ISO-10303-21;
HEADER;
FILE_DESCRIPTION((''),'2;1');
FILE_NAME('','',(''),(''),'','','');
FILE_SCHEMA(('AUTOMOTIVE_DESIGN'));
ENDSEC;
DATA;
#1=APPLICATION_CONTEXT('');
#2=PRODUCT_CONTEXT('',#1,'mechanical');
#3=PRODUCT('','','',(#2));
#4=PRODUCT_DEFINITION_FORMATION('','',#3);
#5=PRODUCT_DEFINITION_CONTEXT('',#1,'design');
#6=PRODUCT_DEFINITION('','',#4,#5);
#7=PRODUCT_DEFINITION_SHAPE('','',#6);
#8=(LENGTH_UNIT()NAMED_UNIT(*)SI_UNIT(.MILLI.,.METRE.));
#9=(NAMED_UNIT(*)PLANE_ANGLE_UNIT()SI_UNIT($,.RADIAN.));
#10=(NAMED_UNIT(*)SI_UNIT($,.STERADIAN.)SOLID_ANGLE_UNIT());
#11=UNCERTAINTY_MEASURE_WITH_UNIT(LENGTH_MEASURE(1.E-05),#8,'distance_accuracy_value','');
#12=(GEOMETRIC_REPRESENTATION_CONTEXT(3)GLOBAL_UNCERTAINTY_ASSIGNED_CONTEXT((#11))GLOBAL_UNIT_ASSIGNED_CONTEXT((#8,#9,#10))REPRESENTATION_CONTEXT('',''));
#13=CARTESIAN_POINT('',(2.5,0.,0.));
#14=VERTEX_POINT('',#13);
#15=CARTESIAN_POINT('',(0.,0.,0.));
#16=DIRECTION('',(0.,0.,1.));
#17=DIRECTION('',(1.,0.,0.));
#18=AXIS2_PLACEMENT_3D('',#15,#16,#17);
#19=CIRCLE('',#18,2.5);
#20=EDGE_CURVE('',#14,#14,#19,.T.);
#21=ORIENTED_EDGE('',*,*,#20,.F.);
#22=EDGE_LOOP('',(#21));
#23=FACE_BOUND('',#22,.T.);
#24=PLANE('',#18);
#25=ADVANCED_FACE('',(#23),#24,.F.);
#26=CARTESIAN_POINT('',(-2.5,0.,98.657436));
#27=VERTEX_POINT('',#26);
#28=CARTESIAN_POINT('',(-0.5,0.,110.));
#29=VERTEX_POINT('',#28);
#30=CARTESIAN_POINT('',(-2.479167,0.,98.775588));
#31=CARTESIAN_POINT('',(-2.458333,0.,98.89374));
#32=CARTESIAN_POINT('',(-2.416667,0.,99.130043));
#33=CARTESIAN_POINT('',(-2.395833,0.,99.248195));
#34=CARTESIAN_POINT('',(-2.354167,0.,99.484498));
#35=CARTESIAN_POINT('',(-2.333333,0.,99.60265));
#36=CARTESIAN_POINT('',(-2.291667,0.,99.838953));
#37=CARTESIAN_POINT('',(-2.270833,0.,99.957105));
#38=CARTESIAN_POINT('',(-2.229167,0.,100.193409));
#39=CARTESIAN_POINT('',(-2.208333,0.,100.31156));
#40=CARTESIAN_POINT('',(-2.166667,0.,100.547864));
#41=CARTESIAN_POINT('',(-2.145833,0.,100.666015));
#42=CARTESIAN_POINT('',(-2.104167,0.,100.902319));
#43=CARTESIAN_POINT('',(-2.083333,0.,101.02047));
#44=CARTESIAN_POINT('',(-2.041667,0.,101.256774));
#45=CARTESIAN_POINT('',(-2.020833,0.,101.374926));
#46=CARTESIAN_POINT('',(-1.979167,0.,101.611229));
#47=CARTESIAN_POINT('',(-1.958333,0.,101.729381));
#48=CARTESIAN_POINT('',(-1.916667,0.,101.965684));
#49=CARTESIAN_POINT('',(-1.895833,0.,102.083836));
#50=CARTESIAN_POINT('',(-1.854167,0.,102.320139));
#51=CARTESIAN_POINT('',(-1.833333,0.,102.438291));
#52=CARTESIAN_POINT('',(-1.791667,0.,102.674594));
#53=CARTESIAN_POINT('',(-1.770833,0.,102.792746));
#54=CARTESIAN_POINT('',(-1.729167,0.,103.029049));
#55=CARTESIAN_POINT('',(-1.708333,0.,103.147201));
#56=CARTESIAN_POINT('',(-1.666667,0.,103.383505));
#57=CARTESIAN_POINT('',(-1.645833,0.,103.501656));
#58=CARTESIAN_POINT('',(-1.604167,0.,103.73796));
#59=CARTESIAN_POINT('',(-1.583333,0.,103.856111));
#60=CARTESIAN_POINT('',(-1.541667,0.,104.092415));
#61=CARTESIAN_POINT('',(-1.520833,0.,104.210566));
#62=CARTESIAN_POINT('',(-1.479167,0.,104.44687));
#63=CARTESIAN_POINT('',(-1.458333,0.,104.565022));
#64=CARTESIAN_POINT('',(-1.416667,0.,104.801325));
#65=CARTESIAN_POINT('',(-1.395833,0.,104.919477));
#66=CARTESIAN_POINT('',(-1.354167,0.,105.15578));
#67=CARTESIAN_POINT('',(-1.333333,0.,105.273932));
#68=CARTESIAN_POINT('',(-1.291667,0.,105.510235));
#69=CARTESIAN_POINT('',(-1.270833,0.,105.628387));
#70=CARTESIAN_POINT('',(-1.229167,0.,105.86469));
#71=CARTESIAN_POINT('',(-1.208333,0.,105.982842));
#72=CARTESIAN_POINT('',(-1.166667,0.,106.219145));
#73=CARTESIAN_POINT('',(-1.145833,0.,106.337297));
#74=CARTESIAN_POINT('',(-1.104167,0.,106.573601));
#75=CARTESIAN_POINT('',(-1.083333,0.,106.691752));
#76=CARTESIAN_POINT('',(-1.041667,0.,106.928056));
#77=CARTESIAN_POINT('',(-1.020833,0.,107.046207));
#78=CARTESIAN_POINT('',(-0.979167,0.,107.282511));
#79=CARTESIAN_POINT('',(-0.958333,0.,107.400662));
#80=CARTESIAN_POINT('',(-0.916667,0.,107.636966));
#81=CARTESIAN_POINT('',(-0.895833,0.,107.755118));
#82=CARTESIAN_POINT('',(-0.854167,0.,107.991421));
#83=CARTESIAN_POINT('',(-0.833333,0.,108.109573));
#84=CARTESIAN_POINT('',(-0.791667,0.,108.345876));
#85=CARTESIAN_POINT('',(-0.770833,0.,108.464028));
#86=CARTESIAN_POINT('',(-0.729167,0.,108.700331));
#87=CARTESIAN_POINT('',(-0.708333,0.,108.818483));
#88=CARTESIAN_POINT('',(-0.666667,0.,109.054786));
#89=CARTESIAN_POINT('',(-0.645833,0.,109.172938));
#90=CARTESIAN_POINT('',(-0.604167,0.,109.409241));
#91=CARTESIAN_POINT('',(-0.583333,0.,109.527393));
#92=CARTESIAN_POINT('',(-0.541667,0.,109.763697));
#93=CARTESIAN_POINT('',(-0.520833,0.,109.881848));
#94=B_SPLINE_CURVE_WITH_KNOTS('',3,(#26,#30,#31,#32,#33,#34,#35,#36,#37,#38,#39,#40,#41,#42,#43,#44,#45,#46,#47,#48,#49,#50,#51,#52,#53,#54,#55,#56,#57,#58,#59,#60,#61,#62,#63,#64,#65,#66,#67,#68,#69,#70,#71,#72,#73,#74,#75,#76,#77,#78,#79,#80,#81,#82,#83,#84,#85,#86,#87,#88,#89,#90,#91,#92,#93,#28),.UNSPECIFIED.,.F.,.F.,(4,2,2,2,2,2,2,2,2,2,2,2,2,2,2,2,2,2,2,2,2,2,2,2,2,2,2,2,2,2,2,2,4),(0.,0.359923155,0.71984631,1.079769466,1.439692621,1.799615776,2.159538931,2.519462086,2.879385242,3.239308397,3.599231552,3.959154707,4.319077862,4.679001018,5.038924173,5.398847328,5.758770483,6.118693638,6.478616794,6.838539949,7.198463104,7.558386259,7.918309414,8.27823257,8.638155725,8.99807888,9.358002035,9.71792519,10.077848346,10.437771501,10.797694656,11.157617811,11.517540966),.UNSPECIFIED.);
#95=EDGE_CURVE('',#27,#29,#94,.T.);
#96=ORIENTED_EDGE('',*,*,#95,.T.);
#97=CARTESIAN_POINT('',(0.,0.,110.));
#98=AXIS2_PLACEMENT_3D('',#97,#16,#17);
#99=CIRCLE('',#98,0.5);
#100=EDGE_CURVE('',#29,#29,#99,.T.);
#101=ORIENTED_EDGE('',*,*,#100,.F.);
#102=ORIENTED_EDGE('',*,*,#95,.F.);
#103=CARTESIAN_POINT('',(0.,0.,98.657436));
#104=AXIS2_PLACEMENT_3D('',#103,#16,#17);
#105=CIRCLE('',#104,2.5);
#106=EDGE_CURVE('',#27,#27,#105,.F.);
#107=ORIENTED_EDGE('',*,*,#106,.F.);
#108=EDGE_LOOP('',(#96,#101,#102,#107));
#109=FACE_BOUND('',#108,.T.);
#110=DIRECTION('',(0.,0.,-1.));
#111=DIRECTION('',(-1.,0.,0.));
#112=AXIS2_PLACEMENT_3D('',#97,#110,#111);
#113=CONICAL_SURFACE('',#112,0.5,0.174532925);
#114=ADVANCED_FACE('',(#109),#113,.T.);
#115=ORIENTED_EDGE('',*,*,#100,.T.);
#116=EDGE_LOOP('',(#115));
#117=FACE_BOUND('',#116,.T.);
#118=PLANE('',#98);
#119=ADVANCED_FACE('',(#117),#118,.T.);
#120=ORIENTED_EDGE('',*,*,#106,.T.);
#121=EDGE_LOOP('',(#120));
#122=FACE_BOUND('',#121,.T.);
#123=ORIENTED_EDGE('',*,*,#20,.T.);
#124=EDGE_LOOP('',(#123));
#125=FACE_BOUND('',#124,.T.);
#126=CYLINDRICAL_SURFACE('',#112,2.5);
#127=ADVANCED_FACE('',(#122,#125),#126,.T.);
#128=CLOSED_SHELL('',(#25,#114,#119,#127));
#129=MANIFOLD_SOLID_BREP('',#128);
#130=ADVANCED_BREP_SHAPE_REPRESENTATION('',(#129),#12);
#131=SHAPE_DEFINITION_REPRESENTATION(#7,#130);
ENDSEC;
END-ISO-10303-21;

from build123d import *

# Parameters (mm, degrees)
SKETCH1_R           = 2.5
BOSS_EXTRUDE1_DEPTH = 110
CHAMFER1_SIZE       = 2
CHAMFER1_SIZE2      = 11.342563639


with BuildPart() as part:
    # Sketch1 → Boss-Extrude1 (new body)
    with BuildSketch(Plane.XY):
        Circle(SKETCH1_R)
    extrude(amount=BOSS_EXTRUDE1_DEPTH)

    # Chamfer1
    chamfer1_edges = [part.edges().sort_by_distance(p)[0] for p in [
        (-2.5, 0, 110),
    ]]
    chamfer1_side = [part.faces().sort_by_distance(p)[0] for p in [
        (0, 0, 110),
    ]]
    chamfer(chamfer1_edges, length=CHAMFER1_SIZE, length2=CHAMFER1_SIZE2, reference=chamfer1_side[0])


solid = part.part
